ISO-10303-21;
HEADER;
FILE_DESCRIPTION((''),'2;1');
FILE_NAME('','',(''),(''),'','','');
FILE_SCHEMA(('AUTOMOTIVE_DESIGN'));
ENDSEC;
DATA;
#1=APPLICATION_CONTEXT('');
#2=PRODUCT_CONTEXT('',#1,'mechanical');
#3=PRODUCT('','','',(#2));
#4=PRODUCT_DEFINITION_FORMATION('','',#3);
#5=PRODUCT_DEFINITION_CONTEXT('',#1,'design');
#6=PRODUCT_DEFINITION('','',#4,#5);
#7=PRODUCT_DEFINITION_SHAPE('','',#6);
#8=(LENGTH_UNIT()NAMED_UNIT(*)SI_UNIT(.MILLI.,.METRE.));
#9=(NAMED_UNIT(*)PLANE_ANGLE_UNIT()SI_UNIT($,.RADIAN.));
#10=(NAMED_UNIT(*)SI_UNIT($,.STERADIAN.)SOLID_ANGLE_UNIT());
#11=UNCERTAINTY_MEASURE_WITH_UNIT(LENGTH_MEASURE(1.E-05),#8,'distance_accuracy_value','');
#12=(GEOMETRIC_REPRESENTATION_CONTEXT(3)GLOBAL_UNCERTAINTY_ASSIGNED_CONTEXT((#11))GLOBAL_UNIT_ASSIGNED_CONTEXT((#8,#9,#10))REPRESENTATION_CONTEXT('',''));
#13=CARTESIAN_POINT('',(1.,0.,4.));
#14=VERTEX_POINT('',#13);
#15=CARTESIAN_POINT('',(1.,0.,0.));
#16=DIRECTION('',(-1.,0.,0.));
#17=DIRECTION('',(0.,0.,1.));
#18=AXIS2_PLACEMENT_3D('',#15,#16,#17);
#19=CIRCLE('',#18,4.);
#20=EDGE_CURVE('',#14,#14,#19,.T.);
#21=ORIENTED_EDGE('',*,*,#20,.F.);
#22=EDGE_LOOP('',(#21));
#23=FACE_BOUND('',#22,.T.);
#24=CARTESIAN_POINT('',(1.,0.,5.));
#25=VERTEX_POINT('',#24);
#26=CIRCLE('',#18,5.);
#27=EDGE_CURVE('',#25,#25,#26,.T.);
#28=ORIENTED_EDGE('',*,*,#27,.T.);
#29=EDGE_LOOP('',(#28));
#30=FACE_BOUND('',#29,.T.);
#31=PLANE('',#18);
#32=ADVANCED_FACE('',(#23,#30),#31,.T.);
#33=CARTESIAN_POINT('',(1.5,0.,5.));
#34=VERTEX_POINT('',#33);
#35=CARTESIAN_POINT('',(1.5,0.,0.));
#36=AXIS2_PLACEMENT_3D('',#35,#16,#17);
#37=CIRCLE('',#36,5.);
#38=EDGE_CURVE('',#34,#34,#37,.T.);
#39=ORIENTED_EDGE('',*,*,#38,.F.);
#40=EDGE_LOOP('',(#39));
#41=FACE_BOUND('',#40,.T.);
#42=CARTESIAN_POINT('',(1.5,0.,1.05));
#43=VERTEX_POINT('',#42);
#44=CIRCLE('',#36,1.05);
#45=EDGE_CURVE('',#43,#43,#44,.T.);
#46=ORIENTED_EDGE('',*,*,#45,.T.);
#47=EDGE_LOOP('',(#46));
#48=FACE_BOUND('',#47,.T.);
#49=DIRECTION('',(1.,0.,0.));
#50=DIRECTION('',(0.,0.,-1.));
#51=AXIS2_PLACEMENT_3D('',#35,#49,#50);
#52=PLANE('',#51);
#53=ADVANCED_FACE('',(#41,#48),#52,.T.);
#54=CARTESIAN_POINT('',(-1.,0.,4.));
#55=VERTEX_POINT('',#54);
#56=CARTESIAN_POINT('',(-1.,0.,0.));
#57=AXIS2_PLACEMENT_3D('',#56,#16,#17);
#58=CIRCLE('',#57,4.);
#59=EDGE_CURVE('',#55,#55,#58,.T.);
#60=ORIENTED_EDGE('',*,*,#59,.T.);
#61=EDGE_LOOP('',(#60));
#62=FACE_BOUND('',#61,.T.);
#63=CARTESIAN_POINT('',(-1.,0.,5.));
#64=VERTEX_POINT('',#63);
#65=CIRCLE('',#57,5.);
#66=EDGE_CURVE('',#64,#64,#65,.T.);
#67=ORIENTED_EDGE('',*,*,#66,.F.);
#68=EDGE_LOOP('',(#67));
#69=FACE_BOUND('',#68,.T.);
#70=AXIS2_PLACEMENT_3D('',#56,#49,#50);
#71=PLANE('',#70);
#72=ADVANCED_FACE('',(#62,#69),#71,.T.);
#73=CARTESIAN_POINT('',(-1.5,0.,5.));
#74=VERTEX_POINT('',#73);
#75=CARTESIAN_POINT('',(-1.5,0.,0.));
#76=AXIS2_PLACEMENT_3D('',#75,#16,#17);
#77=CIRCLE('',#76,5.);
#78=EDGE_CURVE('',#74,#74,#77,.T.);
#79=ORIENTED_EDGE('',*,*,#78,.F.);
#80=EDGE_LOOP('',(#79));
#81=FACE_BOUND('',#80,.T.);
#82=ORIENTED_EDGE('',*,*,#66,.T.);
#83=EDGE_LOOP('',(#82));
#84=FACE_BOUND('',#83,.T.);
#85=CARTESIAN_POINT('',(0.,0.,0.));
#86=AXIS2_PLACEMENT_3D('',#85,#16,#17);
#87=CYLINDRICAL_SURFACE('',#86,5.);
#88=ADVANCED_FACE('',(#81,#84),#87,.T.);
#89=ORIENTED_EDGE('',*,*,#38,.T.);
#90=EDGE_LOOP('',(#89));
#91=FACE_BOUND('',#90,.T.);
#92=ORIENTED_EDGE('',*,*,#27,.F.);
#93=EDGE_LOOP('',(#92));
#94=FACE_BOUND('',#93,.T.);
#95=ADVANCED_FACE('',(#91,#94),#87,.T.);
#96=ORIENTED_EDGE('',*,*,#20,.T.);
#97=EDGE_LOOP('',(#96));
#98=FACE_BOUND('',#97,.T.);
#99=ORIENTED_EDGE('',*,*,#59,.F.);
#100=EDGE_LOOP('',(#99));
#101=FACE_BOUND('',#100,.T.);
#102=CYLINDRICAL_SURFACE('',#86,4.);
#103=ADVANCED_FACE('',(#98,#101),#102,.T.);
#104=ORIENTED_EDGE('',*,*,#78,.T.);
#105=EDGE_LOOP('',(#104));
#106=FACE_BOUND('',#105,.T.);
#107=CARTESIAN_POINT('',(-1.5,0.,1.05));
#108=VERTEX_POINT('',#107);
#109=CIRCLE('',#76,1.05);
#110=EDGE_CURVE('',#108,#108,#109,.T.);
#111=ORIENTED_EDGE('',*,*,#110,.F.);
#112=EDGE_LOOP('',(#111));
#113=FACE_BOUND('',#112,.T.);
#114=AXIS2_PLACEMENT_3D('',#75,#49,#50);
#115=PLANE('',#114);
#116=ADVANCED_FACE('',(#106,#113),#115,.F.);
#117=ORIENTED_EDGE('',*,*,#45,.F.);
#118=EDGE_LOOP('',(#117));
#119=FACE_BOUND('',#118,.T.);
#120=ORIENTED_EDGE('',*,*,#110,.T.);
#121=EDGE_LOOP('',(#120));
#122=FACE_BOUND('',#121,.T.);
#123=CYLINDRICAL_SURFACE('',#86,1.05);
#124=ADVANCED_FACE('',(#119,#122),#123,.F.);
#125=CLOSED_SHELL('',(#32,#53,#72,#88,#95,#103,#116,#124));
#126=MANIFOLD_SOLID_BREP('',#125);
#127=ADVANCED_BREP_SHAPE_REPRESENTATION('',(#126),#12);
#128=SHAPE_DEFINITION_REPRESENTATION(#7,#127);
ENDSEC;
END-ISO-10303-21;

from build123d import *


with BuildPart() as part:
    # Esboço1 → Revolução2 (revolve)
    with BuildSketch(Plane.XY, mode=Mode.PRIVATE) as revolu_o2_sk:
        Polygon((1.5, 5), (1.5, 1.05), (-1.5, 1.05), (-1.5, 5), (-1, 5), (-1, 4), (1, 4), (1, 5), align=None)
    revolve(revolu_o2_sk.sketch.rotate(Axis((0, 0, 0), (1, 0, 0)), 90), axis=Axis((0, 0, 0), (1, 0, 0)))


solid = part.part
